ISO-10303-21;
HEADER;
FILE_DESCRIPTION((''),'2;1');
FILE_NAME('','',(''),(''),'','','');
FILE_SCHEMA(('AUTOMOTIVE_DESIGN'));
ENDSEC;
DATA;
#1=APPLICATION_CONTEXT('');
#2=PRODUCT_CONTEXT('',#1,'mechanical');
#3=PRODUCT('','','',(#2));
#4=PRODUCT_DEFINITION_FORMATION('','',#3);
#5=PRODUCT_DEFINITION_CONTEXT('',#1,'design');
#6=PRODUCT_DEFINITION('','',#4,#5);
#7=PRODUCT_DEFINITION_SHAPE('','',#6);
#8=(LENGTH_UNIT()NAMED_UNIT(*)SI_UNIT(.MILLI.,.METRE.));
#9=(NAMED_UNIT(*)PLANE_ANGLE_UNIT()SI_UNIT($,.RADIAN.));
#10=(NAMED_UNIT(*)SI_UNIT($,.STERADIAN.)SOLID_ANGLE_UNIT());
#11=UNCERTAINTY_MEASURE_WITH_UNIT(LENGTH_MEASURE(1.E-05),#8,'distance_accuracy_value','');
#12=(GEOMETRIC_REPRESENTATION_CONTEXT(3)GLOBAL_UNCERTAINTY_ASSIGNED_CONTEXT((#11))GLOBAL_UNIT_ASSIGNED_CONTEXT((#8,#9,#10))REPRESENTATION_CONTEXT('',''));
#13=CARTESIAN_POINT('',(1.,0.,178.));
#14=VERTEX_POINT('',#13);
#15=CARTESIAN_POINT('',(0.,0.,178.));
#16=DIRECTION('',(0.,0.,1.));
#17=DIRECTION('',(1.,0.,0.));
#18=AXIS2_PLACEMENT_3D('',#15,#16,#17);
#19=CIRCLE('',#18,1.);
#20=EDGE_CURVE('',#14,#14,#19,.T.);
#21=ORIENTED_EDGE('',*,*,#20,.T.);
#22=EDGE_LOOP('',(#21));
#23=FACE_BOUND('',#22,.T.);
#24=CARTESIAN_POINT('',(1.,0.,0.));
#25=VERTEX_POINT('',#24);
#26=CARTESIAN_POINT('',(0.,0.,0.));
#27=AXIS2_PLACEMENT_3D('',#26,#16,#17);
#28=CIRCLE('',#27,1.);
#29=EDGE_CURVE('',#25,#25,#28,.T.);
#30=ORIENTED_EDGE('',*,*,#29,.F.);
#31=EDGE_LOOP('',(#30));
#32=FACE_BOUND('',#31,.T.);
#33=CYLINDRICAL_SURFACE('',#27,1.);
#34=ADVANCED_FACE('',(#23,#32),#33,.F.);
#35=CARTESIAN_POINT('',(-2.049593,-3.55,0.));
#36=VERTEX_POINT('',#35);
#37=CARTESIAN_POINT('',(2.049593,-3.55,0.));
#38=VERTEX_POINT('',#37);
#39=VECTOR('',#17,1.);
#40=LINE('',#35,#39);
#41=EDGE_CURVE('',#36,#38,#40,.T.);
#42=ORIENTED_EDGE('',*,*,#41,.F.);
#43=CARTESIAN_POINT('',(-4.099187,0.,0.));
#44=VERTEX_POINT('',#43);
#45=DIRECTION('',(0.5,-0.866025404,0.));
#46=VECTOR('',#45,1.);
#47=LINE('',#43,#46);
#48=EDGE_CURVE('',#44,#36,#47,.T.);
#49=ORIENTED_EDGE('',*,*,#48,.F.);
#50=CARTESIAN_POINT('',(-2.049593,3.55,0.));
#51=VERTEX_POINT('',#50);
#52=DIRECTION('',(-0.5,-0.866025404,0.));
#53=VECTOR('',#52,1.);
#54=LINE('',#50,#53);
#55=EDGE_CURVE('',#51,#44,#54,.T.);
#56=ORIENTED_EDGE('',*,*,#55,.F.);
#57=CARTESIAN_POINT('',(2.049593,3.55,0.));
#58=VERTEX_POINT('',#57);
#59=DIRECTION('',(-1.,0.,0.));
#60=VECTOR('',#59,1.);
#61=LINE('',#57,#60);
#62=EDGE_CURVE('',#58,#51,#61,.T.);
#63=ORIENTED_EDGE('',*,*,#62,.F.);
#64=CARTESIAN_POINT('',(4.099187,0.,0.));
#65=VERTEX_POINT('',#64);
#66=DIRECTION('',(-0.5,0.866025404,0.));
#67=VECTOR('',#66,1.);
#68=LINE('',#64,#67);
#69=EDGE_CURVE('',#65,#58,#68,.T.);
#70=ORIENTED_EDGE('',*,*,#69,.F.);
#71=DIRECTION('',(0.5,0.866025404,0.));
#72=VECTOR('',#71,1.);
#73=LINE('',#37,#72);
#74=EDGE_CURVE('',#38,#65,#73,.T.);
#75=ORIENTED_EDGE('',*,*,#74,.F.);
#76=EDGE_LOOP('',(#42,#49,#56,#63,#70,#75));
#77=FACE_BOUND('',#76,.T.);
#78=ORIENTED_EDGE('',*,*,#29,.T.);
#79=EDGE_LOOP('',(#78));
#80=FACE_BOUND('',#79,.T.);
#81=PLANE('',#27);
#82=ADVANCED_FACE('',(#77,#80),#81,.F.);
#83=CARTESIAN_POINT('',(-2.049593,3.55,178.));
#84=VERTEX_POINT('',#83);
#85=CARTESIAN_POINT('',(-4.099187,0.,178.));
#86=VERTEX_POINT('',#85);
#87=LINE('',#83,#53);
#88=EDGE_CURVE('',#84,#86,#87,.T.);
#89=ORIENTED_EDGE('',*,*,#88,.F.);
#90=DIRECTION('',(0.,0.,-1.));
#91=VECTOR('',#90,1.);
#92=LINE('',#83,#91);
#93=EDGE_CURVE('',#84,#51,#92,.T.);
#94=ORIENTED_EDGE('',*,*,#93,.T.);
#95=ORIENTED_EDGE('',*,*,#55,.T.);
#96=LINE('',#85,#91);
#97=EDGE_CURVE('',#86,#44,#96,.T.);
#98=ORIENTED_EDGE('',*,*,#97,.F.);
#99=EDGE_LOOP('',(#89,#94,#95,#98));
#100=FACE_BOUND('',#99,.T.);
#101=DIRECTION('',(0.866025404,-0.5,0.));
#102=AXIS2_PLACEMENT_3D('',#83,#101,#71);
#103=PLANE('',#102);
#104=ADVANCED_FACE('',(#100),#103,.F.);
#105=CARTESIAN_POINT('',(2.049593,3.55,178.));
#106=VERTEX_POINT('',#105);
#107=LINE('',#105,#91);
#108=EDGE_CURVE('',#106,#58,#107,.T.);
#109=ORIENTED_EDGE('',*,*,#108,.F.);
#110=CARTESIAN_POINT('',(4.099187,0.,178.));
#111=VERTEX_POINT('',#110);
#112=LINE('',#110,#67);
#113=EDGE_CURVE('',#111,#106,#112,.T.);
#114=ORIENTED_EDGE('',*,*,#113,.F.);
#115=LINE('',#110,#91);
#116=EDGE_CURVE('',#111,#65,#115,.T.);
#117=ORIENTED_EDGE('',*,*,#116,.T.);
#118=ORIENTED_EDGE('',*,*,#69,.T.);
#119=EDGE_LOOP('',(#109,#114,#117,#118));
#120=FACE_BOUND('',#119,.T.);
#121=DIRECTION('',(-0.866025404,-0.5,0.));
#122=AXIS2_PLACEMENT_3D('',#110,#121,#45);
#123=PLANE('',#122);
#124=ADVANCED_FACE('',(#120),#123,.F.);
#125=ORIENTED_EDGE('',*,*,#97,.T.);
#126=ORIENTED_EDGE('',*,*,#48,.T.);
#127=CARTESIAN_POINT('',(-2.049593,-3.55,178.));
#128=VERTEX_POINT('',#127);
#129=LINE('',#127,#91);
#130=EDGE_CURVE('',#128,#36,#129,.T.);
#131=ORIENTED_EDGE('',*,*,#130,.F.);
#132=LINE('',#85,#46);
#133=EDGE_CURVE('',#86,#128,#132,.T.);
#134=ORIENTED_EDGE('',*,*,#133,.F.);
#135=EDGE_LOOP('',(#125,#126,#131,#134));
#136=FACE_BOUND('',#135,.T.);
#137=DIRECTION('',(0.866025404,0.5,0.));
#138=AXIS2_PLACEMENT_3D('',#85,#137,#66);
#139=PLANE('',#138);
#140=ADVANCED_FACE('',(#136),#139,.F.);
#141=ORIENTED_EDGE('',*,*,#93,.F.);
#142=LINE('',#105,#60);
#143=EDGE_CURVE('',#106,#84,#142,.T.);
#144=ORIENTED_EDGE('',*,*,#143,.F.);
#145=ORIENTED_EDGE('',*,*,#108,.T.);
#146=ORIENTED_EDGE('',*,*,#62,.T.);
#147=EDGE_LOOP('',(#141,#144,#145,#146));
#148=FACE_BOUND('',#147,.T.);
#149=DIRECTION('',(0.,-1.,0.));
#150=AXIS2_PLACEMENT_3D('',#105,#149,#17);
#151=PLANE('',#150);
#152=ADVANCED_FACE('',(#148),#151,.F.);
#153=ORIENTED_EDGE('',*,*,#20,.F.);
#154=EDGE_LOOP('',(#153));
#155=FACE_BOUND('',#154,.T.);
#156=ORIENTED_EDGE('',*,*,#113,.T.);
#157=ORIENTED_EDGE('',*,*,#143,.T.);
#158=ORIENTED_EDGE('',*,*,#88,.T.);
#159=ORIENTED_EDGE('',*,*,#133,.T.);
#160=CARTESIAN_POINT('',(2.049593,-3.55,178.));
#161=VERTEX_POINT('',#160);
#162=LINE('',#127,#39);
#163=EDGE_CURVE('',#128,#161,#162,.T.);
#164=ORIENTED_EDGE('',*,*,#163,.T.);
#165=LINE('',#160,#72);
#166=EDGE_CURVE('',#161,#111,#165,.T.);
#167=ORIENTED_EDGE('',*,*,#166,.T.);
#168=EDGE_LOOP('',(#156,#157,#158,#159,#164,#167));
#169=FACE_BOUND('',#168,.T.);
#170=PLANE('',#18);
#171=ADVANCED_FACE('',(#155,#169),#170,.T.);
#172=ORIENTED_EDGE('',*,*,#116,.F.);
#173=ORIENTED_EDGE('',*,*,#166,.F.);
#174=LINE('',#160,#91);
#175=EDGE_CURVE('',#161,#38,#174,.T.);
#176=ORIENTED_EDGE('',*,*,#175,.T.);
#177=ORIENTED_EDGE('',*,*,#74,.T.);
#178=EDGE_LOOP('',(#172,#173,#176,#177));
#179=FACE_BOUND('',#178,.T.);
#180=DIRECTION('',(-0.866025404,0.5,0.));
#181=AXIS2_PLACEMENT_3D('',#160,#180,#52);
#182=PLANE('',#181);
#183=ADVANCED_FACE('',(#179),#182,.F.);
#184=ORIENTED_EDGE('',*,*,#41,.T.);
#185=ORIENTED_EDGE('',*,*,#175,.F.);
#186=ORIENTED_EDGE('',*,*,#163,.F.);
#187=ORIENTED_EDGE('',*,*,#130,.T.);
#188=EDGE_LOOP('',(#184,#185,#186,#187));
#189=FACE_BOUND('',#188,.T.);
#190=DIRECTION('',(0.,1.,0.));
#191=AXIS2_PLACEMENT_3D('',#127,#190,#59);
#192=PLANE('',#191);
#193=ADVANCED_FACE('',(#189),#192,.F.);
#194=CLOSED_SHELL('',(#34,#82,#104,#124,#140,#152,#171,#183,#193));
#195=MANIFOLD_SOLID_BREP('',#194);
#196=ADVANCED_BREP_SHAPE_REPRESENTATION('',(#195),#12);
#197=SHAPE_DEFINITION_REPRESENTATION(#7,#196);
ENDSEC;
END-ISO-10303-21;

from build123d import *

# Parameters (mm, degrees)
EXTRUDE_1_DEPTH     = 178
SKETCH_2_R          = 1
CUT_EXTRUDE_1_DEPTH = 178


with BuildPart() as part:
    # 草图1 → 凸台-拉伸1 (new body)
    with BuildSketch(Plane.XY):
        Polygon((4.099186911, 0), (2.049593456, 3.55), (-2.049593456, 3.55), (-4.099186911, 0), (-2.049593456, -3.55), (2.049593456, -3.55), align=None)
    extrude(amount=EXTRUDE_1_DEPTH)

    # 草图2 → 切除-拉伸1 (cut)
    with BuildSketch(Plane.XY.offset(178)):
        Circle(SKETCH_2_R)
    extrude(amount=-CUT_EXTRUDE_1_DEPTH, mode=Mode.SUBTRACT)


solid = part.part
